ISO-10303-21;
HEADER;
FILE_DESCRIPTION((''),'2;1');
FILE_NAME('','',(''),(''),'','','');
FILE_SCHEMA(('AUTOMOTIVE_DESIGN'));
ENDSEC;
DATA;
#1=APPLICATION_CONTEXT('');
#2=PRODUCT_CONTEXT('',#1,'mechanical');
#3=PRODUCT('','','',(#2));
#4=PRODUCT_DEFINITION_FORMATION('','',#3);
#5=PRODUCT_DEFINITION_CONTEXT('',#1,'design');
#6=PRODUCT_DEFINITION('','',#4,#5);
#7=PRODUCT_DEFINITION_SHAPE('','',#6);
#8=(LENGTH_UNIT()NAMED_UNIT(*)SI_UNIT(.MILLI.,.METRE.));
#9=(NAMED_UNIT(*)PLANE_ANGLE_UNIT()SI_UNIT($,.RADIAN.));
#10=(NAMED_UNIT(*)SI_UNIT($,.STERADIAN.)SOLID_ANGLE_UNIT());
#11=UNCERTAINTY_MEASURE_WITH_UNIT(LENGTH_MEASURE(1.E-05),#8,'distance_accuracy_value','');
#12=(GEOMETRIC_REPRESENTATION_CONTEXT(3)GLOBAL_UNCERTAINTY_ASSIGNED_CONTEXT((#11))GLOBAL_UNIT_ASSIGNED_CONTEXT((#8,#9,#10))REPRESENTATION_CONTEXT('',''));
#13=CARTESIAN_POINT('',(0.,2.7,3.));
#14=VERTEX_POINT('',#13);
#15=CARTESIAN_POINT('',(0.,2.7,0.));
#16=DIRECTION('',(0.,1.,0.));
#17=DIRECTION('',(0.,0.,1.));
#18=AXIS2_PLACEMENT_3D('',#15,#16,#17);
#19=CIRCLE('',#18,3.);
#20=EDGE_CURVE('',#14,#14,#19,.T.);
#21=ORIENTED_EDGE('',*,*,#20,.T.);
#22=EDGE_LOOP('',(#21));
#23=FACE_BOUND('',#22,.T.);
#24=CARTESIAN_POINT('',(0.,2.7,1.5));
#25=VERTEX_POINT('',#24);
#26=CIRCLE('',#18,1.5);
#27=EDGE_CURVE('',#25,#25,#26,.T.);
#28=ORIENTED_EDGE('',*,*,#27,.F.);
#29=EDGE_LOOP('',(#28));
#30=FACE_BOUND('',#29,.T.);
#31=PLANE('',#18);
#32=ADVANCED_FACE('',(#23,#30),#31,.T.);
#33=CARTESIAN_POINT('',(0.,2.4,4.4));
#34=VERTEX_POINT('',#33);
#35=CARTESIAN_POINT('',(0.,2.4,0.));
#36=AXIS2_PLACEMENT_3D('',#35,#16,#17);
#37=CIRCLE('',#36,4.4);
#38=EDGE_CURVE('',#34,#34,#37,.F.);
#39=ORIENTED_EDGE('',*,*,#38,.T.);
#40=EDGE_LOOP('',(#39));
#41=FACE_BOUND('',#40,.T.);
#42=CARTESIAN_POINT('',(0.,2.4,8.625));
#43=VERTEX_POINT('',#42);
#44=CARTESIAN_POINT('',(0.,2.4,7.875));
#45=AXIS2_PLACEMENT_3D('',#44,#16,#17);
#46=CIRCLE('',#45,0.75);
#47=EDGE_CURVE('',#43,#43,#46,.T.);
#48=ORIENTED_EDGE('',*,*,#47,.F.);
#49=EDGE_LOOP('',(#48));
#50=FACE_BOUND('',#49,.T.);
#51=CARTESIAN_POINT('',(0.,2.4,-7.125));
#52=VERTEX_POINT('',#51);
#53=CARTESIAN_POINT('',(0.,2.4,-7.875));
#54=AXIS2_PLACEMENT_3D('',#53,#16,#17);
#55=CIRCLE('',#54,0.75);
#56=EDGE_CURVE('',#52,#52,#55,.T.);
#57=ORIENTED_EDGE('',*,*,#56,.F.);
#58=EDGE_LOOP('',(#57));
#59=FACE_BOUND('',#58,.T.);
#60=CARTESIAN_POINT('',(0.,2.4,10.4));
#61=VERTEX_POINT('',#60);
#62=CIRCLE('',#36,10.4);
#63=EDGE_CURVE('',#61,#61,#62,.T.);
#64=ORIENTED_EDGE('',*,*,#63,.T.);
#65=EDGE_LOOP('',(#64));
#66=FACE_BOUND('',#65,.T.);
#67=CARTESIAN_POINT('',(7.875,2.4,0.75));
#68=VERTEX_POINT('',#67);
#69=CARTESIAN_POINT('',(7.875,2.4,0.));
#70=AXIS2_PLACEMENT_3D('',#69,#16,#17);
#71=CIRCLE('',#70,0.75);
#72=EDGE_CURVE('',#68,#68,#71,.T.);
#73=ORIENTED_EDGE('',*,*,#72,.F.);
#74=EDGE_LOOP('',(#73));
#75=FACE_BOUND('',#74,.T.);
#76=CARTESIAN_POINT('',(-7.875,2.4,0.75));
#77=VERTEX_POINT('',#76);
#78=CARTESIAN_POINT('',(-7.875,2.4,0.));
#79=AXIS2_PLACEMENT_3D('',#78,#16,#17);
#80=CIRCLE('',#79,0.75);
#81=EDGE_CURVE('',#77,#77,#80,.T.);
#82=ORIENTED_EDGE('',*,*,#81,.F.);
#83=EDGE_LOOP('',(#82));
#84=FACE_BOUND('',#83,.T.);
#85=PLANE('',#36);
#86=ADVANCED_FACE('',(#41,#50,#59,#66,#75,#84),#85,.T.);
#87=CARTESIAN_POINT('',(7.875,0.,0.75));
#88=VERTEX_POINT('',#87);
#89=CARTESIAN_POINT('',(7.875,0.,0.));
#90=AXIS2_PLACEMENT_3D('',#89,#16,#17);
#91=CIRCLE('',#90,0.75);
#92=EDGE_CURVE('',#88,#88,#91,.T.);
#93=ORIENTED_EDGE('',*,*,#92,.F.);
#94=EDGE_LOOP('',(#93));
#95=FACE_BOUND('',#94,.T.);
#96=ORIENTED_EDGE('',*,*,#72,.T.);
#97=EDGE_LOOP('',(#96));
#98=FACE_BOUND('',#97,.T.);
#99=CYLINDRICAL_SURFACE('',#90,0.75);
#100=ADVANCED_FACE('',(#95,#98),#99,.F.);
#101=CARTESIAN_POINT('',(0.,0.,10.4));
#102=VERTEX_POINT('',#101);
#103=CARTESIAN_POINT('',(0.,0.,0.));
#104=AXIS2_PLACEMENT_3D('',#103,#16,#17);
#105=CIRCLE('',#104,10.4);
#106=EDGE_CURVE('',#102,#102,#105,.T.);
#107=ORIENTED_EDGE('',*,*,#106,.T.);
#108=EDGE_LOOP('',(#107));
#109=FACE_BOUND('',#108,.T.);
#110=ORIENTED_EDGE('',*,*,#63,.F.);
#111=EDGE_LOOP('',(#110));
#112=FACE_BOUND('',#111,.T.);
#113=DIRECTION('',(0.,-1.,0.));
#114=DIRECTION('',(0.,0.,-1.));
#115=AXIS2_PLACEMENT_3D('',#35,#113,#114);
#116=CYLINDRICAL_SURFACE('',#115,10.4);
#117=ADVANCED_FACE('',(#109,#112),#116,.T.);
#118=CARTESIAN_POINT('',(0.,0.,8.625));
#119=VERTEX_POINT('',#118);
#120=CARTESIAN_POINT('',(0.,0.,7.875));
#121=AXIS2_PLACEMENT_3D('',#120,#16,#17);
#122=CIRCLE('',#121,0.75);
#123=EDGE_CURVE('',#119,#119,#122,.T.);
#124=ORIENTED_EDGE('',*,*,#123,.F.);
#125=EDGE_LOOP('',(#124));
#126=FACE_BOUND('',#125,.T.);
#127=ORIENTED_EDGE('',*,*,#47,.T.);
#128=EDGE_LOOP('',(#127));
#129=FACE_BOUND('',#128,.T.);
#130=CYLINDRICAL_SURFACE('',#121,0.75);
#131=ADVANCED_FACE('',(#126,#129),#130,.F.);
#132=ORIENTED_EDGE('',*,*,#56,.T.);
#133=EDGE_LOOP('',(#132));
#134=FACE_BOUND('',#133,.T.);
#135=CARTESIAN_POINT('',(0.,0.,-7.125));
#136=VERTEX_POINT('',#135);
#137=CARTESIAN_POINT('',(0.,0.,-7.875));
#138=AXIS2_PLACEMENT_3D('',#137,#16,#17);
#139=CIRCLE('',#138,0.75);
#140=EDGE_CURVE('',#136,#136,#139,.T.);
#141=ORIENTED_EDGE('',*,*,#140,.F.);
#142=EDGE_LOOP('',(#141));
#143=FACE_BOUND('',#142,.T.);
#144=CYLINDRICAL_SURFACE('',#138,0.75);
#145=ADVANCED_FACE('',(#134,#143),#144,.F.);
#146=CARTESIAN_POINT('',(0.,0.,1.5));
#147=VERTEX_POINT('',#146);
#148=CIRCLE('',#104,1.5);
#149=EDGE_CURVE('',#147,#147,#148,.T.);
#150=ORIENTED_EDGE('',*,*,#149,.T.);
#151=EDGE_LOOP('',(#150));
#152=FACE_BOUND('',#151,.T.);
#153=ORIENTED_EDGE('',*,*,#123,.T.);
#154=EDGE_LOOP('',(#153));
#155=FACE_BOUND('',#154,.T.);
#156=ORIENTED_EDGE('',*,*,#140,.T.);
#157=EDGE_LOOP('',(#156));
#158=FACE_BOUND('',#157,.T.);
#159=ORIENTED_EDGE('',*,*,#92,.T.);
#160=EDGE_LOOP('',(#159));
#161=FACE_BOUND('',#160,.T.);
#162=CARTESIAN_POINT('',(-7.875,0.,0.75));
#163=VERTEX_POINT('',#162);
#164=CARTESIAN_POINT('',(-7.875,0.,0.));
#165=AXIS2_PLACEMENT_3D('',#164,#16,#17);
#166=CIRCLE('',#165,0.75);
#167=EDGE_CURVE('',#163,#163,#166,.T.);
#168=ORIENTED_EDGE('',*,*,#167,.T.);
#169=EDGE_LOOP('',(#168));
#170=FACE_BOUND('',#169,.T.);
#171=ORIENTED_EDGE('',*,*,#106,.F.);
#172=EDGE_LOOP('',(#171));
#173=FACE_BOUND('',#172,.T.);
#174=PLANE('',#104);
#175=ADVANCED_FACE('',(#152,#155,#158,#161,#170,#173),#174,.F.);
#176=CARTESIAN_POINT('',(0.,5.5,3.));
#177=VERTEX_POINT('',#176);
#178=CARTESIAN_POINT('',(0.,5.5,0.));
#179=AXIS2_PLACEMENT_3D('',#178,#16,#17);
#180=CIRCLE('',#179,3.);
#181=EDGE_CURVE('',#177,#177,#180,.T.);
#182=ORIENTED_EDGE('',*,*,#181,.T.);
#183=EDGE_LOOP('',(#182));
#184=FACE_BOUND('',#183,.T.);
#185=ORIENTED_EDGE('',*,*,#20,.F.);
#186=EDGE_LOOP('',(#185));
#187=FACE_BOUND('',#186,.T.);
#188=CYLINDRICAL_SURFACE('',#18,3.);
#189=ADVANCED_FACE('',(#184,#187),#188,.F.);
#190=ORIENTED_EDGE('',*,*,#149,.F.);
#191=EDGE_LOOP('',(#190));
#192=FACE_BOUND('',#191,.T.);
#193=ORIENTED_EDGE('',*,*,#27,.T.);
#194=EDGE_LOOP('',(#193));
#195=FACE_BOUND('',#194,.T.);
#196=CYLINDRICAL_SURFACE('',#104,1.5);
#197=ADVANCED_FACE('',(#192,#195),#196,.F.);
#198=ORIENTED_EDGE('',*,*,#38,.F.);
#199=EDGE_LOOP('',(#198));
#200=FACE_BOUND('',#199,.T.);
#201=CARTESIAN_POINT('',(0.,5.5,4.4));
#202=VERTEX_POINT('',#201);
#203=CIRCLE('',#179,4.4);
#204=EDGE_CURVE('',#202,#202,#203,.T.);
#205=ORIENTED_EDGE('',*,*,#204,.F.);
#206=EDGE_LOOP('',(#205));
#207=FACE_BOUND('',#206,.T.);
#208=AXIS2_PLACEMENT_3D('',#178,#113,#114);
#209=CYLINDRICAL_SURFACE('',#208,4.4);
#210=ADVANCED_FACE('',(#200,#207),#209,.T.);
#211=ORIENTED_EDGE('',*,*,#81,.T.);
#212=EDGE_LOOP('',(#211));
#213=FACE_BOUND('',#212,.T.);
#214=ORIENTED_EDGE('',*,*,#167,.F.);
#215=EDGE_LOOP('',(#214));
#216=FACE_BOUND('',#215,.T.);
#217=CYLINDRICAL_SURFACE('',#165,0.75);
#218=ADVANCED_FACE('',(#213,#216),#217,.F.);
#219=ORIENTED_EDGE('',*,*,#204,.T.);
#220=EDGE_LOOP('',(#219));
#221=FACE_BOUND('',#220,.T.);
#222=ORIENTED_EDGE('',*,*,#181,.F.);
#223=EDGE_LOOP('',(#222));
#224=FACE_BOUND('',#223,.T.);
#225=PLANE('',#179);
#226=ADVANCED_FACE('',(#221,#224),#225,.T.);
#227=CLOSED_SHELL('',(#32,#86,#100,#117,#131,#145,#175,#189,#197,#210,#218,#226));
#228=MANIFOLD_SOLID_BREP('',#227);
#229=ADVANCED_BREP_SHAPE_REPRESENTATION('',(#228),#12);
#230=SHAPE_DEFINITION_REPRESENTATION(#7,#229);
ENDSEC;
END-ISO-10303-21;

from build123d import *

# Parameters (mm, degrees)
CROQUIS1_R              = 10.4
SALIENTE_EXTRUIR1_DEPTH = 2.4
SALIENTE_EXTRUIR2_START = -2.4
CROQUIS2_R              = 4.4
SALIENTE_EXTRUIR2_DEPTH = 5.5
CROQUIS3_R              = 3
CORTAR_EXTRUIR1_DEPTH   = 2.8
CROQUIS4_R              = 0.75
CORTAR_EXTRUIR2_DEPTH   = 16.030968033
CROQUIS5_R              = 1.5
CORTAR_EXTRUIR3_DEPTH   = 15.971973818


with BuildPart() as part:
    # Croquis1 → Saliente-Extruir1 (new body)
    with BuildSketch(Plane(origin=(0, 0, 0), x_dir=(1, 0, 0), z_dir=(0, 1, 0))):
        with Locations(Location((0, 0, 0), (0, 0, 270))):
            Circle(CROQUIS1_R)
    extrude(amount=SALIENTE_EXTRUIR1_DEPTH)

    # Croquis2 → Saliente-Extruir2 (add)
    with BuildSketch(Plane(origin=(0, 2.4, 0), x_dir=(1, 0, 0), z_dir=(0, 1, 0)).offset(SALIENTE_EXTRUIR2_START)):
        with Locations(Location((0, 0, 0), (0, 0, 270))):
            Circle(CROQUIS2_R)
    extrude(amount=SALIENTE_EXTRUIR2_DEPTH)

    # Croquis3 → Cortar-Extruir1 (cut)
    with BuildSketch(Plane(origin=(0, 5.5, 0), x_dir=(1, 0, 0), z_dir=(0, 1, 0))):
        with Locations(Location((0, 0, 0), (0, 0, 270))):
            Circle(CROQUIS3_R)
    extrude(amount=-CORTAR_EXTRUIR1_DEPTH, mode=Mode.SUBTRACT)

    # Croquis4 → Cortar-Extruir2 (cut, through all)
    with BuildSketch(Plane(origin=(0, 2.4, 0), x_dir=(1, 0, 0), z_dir=(0, 1, 0))):
        with Locations(Location((0, 7.875, 0), (0, 0, 270))):
            Circle(CROQUIS4_R)
        with Locations(Location((7.875, 0, 0), (0, 0, 270))):
            Circle(CROQUIS4_R)
        with Locations(Location((0, -7.875, 0), (0, 0, 270))):
            Circle(CROQUIS4_R)
        with Locations(Location((-7.875, 0, 0), (0, 0, 270))):
            Circle(CROQUIS4_R)
    extrude(amount=-CORTAR_EXTRUIR2_DEPTH, mode=Mode.SUBTRACT)

    # Croquis5 → Cortar-Extruir3 (cut, through all)
    with BuildSketch(Plane(origin=(0, 2.7, 0), x_dir=(1, 0, 0), z_dir=(0, 1, 0))):
        with Locations(Location((0, 0, 0), (0, 0, 270))):
            Circle(CROQUIS5_R)
    extrude(amount=-CORTAR_EXTRUIR3_DEPTH, mode=Mode.SUBTRACT)


solid = part.part
